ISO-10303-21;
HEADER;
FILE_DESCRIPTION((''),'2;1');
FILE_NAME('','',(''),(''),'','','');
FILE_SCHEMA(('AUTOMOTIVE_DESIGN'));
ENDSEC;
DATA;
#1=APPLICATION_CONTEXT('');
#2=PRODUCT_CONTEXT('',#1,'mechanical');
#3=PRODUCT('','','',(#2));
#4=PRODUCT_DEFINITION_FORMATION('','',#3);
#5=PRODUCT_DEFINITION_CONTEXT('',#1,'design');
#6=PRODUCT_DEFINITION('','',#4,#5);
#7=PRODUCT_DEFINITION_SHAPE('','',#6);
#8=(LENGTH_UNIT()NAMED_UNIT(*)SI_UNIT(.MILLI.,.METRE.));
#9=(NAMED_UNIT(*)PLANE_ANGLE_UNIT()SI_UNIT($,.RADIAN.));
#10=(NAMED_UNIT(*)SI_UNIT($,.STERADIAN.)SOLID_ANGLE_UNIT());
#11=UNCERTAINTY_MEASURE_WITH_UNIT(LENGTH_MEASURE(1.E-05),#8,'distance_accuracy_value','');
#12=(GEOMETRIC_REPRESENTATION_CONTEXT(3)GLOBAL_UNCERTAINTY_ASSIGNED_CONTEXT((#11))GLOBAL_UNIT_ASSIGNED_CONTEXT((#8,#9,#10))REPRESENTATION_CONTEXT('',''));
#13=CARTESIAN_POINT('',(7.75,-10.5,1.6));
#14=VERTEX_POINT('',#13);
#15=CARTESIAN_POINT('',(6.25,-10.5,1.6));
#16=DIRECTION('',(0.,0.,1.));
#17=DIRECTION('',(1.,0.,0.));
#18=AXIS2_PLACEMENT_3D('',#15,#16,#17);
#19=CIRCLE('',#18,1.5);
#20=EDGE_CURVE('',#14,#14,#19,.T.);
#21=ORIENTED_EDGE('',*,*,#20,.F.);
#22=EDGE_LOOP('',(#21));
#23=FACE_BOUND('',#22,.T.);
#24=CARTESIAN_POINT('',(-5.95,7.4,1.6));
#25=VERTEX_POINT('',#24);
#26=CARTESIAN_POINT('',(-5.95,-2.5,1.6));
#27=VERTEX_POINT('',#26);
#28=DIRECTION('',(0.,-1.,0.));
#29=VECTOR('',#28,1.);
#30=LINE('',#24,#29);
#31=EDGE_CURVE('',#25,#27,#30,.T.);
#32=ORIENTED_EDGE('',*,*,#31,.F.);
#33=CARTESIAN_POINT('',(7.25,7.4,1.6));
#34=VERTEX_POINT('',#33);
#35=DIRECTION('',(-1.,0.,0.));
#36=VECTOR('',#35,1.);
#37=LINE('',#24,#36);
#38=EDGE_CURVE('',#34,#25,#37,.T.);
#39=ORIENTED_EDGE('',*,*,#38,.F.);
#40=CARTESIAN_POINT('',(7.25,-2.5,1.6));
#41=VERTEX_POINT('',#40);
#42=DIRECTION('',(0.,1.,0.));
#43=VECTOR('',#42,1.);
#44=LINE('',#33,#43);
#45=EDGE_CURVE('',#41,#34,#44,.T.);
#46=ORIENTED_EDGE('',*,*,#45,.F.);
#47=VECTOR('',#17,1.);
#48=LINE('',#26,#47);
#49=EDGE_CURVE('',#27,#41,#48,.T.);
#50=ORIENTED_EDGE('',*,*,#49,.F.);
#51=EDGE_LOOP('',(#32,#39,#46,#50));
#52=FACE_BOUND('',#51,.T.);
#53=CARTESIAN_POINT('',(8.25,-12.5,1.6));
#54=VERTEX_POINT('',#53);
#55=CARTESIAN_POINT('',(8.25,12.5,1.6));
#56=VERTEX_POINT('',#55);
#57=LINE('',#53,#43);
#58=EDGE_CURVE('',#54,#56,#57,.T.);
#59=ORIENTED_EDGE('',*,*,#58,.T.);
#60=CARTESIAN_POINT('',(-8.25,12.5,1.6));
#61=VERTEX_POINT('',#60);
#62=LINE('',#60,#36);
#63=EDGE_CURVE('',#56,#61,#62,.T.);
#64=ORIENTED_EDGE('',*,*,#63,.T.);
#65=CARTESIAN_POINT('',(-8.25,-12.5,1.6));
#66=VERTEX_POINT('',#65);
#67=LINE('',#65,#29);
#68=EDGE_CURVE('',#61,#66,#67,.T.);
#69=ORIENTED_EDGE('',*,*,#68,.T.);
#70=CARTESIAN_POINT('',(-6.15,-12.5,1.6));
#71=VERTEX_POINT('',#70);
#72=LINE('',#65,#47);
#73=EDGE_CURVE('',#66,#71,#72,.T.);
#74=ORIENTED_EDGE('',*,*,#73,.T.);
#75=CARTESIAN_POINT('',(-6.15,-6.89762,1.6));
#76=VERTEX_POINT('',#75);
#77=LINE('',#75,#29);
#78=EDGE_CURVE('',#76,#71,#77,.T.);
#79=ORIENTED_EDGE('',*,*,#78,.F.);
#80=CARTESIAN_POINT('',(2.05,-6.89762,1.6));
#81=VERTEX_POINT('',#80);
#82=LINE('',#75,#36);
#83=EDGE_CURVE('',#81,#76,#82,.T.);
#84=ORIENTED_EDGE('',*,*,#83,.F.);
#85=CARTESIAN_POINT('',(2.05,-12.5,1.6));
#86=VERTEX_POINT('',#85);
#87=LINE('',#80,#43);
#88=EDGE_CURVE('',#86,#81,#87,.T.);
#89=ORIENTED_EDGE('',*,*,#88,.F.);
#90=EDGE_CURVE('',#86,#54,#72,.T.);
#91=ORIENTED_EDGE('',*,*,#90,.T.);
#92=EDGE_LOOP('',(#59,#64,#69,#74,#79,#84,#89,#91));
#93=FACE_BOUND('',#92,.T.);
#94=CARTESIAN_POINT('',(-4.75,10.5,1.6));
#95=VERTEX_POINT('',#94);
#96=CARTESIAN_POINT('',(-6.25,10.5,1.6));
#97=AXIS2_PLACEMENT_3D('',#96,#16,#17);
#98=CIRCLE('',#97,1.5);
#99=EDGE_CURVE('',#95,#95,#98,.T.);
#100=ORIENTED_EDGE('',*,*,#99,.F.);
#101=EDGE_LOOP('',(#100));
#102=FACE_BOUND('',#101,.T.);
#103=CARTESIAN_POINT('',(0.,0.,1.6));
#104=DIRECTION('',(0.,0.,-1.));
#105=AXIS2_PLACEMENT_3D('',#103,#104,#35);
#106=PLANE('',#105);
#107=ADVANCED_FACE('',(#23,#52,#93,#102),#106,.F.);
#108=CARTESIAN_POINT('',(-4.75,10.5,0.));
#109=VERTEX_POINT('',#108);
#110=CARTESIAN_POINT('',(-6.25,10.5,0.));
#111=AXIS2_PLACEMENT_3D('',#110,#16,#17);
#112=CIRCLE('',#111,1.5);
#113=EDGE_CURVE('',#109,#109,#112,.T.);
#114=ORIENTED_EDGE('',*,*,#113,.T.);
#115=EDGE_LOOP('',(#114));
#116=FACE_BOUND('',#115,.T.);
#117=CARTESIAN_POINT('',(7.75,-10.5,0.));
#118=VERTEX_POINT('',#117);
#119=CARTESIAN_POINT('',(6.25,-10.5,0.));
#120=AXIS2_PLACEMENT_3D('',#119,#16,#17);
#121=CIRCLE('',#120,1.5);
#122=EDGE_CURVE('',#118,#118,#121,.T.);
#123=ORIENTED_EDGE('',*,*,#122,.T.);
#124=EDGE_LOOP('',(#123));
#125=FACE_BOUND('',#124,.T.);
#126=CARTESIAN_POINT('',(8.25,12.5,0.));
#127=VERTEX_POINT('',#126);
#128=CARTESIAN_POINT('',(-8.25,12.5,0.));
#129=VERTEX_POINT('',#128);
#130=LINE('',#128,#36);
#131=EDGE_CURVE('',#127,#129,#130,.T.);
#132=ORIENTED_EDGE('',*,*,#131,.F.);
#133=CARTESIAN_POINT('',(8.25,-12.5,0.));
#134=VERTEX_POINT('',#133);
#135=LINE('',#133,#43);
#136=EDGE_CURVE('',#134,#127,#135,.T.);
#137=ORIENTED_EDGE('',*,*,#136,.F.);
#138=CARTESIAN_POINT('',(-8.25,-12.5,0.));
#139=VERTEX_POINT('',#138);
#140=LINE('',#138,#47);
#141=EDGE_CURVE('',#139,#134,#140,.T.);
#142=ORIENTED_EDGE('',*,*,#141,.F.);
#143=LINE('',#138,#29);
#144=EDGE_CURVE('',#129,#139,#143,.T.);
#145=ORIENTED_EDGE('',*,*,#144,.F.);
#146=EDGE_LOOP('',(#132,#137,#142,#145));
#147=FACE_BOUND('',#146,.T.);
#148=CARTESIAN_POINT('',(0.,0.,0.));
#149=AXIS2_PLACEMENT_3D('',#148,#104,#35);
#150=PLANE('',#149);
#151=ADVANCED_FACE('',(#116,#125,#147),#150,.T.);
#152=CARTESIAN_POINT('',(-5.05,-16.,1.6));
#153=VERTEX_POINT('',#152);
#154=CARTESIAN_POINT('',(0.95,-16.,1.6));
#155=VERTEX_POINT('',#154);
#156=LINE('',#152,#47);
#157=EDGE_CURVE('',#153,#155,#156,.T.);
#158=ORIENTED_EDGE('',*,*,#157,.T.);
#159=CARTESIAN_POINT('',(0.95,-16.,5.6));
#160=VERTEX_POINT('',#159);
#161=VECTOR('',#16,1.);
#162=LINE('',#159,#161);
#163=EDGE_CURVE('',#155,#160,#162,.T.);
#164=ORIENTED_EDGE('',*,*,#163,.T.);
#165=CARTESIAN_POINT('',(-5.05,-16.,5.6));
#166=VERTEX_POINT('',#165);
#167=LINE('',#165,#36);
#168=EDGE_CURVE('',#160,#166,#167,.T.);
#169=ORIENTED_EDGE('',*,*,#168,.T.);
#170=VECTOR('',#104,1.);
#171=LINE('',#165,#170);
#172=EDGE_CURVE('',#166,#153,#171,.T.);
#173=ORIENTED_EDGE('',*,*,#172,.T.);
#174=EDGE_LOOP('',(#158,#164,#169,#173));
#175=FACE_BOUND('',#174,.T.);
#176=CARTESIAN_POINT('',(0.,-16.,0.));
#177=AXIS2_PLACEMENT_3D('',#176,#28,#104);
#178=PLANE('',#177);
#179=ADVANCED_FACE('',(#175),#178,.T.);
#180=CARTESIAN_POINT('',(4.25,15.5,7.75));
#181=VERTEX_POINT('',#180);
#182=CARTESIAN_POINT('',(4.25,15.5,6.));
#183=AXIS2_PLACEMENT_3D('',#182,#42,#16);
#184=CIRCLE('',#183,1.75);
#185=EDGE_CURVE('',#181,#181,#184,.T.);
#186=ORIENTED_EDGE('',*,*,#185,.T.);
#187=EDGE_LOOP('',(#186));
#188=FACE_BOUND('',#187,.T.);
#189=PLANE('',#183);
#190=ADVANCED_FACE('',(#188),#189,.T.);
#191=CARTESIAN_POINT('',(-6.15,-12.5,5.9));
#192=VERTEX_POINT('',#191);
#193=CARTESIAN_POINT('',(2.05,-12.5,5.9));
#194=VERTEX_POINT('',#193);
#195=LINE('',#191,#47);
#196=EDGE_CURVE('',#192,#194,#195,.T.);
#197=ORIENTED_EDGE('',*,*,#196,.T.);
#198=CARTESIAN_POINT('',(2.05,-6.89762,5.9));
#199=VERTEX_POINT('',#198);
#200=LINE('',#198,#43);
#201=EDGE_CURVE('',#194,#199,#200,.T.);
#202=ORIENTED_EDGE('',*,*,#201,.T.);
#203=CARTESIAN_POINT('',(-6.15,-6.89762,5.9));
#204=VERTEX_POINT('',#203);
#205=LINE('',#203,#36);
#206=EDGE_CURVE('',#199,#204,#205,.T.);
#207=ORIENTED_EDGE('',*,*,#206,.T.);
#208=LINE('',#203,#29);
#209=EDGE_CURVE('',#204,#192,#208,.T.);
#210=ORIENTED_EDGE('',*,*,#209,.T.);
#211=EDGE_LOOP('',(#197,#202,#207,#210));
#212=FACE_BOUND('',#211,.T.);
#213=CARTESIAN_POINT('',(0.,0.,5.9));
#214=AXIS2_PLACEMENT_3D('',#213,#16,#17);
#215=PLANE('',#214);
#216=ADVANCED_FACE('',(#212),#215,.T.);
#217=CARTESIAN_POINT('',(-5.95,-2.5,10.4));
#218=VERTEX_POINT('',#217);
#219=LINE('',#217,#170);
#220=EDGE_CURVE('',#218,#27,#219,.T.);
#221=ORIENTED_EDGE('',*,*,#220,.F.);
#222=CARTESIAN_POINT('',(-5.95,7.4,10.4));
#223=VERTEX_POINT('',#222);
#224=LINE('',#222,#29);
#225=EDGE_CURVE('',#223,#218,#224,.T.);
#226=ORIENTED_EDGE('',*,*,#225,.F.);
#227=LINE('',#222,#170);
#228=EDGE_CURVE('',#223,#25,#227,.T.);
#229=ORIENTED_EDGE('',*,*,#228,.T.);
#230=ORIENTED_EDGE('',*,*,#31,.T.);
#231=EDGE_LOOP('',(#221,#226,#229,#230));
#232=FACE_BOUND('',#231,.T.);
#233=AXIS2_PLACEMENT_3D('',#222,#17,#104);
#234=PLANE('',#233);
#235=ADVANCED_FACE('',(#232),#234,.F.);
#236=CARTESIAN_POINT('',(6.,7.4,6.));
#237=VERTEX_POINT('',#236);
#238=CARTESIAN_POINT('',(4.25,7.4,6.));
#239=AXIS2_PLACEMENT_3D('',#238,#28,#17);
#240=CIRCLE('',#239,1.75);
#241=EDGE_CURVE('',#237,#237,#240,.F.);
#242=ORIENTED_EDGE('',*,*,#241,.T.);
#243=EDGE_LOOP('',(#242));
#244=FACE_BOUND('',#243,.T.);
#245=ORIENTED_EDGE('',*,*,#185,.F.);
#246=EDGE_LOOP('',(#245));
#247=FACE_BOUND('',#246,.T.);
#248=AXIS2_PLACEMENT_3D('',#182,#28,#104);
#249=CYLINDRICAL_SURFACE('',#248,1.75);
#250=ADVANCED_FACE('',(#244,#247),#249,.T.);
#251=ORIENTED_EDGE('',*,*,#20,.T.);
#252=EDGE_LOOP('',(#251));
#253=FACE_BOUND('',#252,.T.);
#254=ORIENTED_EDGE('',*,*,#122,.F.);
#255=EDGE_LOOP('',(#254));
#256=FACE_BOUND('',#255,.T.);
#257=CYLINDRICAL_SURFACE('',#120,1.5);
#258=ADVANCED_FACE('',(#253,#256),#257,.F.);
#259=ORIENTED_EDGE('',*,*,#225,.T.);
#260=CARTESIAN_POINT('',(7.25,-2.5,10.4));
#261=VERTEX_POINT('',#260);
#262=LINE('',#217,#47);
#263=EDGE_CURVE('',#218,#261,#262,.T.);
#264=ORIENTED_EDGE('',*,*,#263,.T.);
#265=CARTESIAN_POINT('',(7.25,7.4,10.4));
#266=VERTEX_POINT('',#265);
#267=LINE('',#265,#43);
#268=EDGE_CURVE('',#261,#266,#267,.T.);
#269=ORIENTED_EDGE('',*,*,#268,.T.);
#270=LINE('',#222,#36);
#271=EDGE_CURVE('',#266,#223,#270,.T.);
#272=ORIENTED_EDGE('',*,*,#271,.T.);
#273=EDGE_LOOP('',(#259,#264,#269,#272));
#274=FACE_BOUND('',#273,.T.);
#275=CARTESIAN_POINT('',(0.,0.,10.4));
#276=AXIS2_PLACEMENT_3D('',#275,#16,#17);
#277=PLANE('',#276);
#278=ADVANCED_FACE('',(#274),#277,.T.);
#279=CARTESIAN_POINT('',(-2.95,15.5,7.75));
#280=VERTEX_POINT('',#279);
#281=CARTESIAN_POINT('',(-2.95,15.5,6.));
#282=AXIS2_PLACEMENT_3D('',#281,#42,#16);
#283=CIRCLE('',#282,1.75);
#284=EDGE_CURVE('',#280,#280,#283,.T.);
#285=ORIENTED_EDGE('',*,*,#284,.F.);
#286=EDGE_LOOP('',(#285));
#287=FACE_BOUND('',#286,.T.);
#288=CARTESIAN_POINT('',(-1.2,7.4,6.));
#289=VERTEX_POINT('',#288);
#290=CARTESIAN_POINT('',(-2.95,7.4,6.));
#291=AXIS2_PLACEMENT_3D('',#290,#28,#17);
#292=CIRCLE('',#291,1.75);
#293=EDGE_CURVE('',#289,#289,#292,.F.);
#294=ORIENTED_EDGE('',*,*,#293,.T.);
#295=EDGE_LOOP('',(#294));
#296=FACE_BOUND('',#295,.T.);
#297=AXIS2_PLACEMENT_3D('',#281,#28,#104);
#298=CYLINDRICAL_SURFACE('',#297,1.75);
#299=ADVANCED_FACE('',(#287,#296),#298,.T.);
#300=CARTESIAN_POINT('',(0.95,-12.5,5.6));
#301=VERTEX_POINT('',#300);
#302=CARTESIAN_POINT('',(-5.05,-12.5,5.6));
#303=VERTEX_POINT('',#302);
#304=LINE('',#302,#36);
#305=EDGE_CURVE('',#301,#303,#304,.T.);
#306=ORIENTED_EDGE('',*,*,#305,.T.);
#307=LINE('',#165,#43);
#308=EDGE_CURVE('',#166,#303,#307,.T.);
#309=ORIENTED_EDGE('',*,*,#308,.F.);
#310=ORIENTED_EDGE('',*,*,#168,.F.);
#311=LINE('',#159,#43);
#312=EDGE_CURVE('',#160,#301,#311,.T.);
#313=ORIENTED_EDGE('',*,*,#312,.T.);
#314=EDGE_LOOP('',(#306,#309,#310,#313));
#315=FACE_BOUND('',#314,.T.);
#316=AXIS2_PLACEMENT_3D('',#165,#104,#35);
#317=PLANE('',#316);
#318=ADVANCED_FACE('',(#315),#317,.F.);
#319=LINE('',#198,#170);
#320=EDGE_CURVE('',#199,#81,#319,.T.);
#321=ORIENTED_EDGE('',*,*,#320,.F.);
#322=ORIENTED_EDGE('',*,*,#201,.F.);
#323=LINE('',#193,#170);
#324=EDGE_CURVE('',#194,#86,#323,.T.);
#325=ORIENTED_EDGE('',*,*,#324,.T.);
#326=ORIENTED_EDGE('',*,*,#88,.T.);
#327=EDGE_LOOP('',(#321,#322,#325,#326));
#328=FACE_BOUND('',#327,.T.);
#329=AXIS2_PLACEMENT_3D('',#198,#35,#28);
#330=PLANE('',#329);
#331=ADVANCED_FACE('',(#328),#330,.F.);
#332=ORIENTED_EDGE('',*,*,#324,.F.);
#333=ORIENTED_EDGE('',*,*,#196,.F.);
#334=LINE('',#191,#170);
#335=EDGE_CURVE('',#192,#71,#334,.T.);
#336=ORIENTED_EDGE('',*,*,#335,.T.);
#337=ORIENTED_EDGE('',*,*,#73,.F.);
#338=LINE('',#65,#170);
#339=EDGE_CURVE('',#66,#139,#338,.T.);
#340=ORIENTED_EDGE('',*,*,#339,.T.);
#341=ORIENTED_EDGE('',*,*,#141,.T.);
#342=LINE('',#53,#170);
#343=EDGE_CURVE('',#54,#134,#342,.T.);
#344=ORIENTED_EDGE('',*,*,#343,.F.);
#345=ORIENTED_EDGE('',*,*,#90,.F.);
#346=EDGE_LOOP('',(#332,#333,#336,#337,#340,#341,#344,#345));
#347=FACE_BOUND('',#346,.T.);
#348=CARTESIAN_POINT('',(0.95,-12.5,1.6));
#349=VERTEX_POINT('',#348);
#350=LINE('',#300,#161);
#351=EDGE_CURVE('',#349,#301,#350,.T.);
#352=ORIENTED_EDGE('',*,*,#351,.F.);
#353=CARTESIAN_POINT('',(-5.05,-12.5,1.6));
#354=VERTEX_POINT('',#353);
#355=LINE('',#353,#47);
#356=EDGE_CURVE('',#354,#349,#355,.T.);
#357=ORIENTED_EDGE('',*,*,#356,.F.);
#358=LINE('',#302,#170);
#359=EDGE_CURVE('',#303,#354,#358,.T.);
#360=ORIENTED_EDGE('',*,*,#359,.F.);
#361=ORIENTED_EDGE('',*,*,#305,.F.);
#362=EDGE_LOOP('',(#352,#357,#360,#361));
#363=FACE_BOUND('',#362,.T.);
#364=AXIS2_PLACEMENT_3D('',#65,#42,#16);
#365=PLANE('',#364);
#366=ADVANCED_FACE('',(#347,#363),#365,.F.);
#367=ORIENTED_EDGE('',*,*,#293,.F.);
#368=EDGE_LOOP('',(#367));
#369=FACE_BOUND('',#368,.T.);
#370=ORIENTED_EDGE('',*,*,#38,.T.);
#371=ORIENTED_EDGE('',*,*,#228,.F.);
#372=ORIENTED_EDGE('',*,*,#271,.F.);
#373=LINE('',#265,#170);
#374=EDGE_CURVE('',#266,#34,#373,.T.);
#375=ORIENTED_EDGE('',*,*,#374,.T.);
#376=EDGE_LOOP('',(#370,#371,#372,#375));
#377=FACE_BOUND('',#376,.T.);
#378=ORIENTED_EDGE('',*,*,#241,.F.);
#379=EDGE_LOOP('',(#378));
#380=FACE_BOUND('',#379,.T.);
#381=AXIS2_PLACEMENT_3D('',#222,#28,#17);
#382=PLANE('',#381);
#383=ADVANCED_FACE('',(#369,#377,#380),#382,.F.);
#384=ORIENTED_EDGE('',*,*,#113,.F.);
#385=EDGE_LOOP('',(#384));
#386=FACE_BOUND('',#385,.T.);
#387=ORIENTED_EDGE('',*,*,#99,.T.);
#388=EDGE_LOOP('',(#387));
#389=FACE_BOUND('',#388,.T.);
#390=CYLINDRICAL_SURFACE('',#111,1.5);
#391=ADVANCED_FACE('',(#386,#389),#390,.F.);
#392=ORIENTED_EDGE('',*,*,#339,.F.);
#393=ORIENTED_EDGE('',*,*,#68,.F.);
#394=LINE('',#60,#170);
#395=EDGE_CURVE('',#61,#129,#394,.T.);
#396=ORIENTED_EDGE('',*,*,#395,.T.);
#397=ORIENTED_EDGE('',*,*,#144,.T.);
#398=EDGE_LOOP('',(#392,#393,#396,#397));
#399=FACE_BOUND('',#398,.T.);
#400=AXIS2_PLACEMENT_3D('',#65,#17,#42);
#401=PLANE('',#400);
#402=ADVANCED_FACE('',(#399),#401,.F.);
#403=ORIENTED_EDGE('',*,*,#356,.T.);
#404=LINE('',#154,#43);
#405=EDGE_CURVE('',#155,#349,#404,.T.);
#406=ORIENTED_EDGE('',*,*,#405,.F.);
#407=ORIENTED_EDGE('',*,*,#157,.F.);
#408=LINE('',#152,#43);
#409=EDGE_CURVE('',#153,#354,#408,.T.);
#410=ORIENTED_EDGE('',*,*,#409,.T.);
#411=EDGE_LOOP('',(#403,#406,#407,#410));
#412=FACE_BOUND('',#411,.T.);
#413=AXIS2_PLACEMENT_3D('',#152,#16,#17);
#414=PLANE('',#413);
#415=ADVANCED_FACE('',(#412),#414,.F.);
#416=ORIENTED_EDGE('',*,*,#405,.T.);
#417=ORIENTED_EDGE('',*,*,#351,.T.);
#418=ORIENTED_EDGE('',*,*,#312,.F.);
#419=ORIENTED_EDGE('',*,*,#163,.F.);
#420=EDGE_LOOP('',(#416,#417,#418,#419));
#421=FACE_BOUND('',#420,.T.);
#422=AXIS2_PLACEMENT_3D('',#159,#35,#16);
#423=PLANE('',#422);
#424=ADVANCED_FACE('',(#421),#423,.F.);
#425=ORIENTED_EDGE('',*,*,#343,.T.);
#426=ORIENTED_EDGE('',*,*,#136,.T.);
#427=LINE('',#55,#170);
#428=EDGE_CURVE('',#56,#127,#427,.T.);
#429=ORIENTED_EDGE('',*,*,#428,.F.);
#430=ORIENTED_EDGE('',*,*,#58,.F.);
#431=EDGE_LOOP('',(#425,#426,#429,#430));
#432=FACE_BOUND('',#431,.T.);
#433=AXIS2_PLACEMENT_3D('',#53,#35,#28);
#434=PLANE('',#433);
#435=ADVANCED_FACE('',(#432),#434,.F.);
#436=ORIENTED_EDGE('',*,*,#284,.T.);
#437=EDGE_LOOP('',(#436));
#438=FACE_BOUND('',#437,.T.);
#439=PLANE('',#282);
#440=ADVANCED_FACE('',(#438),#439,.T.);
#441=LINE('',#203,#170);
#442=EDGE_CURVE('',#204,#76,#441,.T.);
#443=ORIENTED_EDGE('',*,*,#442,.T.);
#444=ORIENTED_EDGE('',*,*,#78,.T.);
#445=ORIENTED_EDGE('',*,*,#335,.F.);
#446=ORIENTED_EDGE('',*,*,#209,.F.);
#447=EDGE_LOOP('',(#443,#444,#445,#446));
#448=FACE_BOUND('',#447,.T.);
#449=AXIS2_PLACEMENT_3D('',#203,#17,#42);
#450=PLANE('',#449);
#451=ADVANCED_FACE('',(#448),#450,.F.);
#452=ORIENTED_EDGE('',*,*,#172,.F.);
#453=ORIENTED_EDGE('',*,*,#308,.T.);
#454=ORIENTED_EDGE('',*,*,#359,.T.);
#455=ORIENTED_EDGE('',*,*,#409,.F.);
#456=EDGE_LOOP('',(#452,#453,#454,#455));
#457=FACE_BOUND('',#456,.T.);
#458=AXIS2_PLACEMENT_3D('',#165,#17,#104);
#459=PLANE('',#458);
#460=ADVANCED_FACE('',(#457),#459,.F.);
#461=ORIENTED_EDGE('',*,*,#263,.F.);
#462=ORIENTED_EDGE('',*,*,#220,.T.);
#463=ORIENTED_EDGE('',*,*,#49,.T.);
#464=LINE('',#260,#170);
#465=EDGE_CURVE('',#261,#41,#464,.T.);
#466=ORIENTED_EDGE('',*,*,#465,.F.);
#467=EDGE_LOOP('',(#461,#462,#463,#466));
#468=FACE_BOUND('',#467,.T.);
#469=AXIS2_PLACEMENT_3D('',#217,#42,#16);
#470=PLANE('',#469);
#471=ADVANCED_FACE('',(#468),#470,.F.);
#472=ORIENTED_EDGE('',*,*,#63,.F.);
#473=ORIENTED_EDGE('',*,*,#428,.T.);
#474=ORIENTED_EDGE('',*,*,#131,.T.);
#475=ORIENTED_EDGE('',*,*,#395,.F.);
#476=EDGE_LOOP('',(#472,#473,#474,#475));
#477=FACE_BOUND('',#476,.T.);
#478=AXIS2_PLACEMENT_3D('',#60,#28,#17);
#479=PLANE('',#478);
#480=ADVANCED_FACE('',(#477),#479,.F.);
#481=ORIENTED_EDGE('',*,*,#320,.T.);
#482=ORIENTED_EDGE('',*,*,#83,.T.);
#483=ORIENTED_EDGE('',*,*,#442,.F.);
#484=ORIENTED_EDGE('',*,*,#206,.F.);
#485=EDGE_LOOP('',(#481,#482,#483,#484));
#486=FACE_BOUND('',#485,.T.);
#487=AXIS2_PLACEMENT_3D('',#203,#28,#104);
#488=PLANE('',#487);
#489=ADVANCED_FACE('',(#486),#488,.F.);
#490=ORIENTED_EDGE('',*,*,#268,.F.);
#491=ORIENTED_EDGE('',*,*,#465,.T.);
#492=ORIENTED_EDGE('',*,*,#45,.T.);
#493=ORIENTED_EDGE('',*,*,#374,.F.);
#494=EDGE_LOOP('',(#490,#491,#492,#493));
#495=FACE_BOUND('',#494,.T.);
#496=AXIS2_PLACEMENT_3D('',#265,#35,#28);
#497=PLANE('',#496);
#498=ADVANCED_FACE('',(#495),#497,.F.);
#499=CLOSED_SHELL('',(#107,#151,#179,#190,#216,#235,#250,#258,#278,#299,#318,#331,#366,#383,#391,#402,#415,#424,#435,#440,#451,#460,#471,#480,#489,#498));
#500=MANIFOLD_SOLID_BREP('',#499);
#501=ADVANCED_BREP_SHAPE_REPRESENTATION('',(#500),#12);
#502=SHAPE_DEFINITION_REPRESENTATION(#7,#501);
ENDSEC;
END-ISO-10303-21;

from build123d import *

# Parameters (mm, degrees)
SKETCH1_W           = 16.5
SKETCH1_H           = 25
BOSS_EXTRUDE1_DEPTH = 1.6
SKETCH2_R           = 1.5
CUT_EXTRUDE1_DEPTH  = 16.062287343
SKETCH3_W           = 13.2
SKETCH3_H           = 9.9
BOSS_EXTRUDE2_DEPTH = 8.8
SKETCH4_R           = 1.75
BOSS_EXTRUDE3_DEPTH = 8.1
SKETCH5_W           = 8.2
SKETCH5_H           = 5.602380094
BOSS_EXTRUDE4_DEPTH = 4.3
SKETCH6_W           = 6
SKETCH6_H           = 4
BOSS_EXTRUDE5_DEPTH = 3.5


with BuildPart() as part:
    # Sketch1 → Boss-Extrude1 (new body)
    with BuildSketch(Plane.XY):
        Rectangle(SKETCH1_W, SKETCH1_H)
    extrude(amount=BOSS_EXTRUDE1_DEPTH)

    # Sketch2 → Cut-Extrude1 (cut, through all)
    with BuildSketch(Plane.XY.offset(1.6)):
        with Locations((-6.25, 10.5)):
            Circle(SKETCH2_R)
        with Locations((6.25, -10.5)):
            Circle(SKETCH2_R)
    extrude(amount=-CUT_EXTRUDE1_DEPTH, mode=Mode.SUBTRACT)

    # Sketch3 → Boss-Extrude2 (add)
    with BuildSketch(Plane.XY.offset(1.6)):
        with Locations((0.65, 2.45)):
            Rectangle(SKETCH3_W, SKETCH3_H)
    extrude(amount=BOSS_EXTRUDE2_DEPTH)

    # Sketch4 → Boss-Extrude3 (add)
    with BuildSketch(Plane(origin=(0, 7.4, 0), x_dir=(1, 0, 0), z_dir=(0, 1, 0))):
        with Locations((-2.95, -6)):
            Circle(SKETCH4_R)
        with Locations((4.25, -6)):
            Circle(SKETCH4_R)
    extrude(amount=BOSS_EXTRUDE3_DEPTH)

    # Sketch5 → Boss-Extrude4 (add)
    with BuildSketch(Plane.XY.offset(1.6)):
        with Locations((-2.05, -9.698809953)):
            Rectangle(SKETCH5_W, SKETCH5_H)
    extrude(amount=BOSS_EXTRUDE4_DEPTH)

    # Sketch6 → Boss-Extrude5 (add)
    with BuildSketch(Plane(origin=(0, -12.5, 0), x_dir=(-1, 0, 0), z_dir=(0, -1, 0))):
        with Locations((2.05, -3.6)):
            Rectangle(SKETCH6_W, SKETCH6_H)
    extrude(amount=BOSS_EXTRUDE5_DEPTH)


solid = part.part
